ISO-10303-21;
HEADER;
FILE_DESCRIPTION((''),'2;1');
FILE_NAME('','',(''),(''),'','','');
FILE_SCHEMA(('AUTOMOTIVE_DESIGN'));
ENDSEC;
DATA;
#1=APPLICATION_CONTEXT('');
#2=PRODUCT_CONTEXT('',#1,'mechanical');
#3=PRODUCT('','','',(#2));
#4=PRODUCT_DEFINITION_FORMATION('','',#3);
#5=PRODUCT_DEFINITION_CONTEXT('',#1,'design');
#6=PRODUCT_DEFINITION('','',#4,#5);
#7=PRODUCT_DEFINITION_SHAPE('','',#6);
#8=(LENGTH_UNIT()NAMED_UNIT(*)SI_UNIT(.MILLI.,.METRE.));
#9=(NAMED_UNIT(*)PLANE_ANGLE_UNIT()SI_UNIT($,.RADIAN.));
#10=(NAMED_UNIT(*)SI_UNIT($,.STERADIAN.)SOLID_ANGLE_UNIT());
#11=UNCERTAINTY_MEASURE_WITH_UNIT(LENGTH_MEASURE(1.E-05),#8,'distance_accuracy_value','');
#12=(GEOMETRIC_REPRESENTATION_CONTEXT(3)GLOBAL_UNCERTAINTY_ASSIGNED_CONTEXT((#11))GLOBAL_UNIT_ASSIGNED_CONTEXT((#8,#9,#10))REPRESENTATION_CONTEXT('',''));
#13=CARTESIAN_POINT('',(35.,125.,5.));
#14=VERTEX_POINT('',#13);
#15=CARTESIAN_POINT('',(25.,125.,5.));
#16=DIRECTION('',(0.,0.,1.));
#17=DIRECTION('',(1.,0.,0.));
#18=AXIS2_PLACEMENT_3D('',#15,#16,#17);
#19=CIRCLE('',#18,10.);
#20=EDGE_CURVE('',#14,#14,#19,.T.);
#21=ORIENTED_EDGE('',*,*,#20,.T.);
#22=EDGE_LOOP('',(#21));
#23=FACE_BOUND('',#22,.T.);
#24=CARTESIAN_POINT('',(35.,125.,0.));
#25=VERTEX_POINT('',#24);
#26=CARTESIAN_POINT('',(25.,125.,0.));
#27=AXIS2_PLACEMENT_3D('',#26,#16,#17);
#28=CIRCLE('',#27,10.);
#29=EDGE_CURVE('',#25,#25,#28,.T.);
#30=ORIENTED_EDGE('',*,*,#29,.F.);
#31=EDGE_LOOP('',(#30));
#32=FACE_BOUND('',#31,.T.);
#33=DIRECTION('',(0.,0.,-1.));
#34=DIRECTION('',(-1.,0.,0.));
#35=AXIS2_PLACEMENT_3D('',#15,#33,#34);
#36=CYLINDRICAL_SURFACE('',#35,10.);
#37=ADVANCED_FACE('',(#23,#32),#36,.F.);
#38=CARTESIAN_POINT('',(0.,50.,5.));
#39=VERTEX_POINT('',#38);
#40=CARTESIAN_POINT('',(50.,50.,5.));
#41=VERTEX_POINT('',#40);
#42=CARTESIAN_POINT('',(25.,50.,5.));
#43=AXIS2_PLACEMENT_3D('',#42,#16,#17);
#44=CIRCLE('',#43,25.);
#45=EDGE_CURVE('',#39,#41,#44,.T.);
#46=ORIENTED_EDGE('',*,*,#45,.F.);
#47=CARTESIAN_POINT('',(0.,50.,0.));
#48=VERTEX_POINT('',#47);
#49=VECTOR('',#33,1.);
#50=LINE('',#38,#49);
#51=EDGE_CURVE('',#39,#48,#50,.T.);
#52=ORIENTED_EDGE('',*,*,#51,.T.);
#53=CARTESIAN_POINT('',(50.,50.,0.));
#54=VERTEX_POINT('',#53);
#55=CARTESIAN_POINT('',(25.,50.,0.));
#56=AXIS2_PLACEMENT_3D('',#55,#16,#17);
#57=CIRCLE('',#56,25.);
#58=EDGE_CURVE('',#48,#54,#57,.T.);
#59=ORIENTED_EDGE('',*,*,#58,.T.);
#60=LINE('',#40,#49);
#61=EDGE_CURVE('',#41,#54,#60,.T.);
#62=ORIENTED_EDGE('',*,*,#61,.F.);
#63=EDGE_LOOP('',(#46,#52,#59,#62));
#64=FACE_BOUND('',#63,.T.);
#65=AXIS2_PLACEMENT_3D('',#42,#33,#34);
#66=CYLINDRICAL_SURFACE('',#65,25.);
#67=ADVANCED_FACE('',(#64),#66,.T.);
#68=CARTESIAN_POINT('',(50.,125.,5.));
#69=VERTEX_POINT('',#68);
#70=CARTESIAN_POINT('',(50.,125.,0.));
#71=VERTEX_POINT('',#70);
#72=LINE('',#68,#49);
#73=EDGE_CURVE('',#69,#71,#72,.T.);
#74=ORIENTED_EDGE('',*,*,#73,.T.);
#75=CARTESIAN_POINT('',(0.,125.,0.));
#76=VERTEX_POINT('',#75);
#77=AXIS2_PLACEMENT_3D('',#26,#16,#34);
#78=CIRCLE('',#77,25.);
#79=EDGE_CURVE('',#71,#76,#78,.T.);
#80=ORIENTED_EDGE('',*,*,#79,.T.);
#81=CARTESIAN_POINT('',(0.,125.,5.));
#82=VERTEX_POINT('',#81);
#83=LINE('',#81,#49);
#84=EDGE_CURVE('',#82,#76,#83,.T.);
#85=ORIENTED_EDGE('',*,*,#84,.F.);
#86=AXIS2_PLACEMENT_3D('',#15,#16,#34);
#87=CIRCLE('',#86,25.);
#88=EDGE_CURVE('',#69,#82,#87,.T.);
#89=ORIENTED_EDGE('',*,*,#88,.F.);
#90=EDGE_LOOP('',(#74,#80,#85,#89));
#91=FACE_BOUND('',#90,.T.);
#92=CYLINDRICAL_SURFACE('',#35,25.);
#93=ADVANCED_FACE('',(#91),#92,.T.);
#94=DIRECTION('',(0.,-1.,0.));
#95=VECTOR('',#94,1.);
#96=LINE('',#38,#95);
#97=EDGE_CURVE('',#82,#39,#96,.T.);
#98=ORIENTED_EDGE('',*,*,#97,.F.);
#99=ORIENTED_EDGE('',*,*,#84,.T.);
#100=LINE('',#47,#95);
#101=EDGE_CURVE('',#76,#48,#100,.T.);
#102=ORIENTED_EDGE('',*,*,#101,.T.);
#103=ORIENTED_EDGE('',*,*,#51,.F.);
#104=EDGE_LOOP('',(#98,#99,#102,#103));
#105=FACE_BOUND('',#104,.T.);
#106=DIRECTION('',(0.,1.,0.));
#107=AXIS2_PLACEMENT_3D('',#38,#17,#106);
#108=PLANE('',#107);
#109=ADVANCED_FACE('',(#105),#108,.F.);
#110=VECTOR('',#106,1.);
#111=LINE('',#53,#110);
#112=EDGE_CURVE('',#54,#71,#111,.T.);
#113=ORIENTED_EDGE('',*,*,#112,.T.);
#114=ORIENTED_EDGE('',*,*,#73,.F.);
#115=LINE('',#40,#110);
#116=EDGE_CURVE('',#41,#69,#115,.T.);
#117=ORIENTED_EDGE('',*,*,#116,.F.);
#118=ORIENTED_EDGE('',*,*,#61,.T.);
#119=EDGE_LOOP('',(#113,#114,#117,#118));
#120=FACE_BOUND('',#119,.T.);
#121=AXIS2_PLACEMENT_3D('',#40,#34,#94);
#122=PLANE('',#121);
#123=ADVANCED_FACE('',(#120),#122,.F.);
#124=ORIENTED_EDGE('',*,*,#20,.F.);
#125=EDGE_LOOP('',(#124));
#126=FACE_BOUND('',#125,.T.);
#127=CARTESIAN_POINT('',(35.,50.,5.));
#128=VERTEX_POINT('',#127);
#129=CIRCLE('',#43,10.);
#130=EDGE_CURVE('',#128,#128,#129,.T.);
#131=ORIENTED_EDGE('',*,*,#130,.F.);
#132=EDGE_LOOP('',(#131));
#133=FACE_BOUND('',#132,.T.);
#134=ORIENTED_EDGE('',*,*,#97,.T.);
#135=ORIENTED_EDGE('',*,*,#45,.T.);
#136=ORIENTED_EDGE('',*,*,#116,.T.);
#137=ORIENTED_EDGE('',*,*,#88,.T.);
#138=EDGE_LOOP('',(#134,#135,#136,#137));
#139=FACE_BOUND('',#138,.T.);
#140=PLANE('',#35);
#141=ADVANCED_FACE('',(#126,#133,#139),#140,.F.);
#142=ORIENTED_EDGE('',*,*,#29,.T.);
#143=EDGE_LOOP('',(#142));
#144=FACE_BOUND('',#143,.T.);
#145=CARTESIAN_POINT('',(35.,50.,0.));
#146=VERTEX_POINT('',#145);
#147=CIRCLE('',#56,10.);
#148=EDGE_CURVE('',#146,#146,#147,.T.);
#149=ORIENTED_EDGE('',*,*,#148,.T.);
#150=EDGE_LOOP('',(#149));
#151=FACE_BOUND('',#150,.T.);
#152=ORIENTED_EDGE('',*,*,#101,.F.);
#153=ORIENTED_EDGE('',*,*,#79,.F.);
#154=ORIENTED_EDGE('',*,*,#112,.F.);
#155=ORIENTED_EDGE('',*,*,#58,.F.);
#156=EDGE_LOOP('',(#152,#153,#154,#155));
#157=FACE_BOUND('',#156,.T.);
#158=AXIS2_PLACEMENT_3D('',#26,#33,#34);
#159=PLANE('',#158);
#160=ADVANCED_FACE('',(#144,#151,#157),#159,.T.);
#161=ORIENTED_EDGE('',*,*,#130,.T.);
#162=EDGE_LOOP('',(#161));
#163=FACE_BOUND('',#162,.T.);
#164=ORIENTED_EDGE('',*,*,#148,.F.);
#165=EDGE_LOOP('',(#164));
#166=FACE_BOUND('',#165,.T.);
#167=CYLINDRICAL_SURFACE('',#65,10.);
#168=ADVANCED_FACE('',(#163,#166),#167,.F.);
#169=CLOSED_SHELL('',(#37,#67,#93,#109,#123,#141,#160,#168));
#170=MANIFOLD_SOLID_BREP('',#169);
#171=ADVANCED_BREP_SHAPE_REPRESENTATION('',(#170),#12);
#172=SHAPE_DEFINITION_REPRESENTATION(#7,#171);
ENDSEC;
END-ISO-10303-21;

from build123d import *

# Parameters (mm, degrees)
SKETCH1_R           = 10
BOSS_EXTRUDE1_DEPTH = 5


with BuildPart() as part:
    # Sketch1 → Boss-Extrude1 (new body)
    with BuildSketch(Plane.XY):
        with BuildLine():
            Line((0, 50), (0, 125))
            ThreePointArc((0, 125), (25, 150), (50, 125))
            Line((50, 125), (50, 50))
            ThreePointArc((50, 50), (25, 25), (0, 50))
        make_face()
        with Locations((25, 50)):
            Circle(SKETCH1_R, mode=Mode.SUBTRACT)
        with Locations((25, 125)):
            Circle(SKETCH1_R, mode=Mode.SUBTRACT)
    extrude(amount=BOSS_EXTRUDE1_DEPTH)


solid = part.part
